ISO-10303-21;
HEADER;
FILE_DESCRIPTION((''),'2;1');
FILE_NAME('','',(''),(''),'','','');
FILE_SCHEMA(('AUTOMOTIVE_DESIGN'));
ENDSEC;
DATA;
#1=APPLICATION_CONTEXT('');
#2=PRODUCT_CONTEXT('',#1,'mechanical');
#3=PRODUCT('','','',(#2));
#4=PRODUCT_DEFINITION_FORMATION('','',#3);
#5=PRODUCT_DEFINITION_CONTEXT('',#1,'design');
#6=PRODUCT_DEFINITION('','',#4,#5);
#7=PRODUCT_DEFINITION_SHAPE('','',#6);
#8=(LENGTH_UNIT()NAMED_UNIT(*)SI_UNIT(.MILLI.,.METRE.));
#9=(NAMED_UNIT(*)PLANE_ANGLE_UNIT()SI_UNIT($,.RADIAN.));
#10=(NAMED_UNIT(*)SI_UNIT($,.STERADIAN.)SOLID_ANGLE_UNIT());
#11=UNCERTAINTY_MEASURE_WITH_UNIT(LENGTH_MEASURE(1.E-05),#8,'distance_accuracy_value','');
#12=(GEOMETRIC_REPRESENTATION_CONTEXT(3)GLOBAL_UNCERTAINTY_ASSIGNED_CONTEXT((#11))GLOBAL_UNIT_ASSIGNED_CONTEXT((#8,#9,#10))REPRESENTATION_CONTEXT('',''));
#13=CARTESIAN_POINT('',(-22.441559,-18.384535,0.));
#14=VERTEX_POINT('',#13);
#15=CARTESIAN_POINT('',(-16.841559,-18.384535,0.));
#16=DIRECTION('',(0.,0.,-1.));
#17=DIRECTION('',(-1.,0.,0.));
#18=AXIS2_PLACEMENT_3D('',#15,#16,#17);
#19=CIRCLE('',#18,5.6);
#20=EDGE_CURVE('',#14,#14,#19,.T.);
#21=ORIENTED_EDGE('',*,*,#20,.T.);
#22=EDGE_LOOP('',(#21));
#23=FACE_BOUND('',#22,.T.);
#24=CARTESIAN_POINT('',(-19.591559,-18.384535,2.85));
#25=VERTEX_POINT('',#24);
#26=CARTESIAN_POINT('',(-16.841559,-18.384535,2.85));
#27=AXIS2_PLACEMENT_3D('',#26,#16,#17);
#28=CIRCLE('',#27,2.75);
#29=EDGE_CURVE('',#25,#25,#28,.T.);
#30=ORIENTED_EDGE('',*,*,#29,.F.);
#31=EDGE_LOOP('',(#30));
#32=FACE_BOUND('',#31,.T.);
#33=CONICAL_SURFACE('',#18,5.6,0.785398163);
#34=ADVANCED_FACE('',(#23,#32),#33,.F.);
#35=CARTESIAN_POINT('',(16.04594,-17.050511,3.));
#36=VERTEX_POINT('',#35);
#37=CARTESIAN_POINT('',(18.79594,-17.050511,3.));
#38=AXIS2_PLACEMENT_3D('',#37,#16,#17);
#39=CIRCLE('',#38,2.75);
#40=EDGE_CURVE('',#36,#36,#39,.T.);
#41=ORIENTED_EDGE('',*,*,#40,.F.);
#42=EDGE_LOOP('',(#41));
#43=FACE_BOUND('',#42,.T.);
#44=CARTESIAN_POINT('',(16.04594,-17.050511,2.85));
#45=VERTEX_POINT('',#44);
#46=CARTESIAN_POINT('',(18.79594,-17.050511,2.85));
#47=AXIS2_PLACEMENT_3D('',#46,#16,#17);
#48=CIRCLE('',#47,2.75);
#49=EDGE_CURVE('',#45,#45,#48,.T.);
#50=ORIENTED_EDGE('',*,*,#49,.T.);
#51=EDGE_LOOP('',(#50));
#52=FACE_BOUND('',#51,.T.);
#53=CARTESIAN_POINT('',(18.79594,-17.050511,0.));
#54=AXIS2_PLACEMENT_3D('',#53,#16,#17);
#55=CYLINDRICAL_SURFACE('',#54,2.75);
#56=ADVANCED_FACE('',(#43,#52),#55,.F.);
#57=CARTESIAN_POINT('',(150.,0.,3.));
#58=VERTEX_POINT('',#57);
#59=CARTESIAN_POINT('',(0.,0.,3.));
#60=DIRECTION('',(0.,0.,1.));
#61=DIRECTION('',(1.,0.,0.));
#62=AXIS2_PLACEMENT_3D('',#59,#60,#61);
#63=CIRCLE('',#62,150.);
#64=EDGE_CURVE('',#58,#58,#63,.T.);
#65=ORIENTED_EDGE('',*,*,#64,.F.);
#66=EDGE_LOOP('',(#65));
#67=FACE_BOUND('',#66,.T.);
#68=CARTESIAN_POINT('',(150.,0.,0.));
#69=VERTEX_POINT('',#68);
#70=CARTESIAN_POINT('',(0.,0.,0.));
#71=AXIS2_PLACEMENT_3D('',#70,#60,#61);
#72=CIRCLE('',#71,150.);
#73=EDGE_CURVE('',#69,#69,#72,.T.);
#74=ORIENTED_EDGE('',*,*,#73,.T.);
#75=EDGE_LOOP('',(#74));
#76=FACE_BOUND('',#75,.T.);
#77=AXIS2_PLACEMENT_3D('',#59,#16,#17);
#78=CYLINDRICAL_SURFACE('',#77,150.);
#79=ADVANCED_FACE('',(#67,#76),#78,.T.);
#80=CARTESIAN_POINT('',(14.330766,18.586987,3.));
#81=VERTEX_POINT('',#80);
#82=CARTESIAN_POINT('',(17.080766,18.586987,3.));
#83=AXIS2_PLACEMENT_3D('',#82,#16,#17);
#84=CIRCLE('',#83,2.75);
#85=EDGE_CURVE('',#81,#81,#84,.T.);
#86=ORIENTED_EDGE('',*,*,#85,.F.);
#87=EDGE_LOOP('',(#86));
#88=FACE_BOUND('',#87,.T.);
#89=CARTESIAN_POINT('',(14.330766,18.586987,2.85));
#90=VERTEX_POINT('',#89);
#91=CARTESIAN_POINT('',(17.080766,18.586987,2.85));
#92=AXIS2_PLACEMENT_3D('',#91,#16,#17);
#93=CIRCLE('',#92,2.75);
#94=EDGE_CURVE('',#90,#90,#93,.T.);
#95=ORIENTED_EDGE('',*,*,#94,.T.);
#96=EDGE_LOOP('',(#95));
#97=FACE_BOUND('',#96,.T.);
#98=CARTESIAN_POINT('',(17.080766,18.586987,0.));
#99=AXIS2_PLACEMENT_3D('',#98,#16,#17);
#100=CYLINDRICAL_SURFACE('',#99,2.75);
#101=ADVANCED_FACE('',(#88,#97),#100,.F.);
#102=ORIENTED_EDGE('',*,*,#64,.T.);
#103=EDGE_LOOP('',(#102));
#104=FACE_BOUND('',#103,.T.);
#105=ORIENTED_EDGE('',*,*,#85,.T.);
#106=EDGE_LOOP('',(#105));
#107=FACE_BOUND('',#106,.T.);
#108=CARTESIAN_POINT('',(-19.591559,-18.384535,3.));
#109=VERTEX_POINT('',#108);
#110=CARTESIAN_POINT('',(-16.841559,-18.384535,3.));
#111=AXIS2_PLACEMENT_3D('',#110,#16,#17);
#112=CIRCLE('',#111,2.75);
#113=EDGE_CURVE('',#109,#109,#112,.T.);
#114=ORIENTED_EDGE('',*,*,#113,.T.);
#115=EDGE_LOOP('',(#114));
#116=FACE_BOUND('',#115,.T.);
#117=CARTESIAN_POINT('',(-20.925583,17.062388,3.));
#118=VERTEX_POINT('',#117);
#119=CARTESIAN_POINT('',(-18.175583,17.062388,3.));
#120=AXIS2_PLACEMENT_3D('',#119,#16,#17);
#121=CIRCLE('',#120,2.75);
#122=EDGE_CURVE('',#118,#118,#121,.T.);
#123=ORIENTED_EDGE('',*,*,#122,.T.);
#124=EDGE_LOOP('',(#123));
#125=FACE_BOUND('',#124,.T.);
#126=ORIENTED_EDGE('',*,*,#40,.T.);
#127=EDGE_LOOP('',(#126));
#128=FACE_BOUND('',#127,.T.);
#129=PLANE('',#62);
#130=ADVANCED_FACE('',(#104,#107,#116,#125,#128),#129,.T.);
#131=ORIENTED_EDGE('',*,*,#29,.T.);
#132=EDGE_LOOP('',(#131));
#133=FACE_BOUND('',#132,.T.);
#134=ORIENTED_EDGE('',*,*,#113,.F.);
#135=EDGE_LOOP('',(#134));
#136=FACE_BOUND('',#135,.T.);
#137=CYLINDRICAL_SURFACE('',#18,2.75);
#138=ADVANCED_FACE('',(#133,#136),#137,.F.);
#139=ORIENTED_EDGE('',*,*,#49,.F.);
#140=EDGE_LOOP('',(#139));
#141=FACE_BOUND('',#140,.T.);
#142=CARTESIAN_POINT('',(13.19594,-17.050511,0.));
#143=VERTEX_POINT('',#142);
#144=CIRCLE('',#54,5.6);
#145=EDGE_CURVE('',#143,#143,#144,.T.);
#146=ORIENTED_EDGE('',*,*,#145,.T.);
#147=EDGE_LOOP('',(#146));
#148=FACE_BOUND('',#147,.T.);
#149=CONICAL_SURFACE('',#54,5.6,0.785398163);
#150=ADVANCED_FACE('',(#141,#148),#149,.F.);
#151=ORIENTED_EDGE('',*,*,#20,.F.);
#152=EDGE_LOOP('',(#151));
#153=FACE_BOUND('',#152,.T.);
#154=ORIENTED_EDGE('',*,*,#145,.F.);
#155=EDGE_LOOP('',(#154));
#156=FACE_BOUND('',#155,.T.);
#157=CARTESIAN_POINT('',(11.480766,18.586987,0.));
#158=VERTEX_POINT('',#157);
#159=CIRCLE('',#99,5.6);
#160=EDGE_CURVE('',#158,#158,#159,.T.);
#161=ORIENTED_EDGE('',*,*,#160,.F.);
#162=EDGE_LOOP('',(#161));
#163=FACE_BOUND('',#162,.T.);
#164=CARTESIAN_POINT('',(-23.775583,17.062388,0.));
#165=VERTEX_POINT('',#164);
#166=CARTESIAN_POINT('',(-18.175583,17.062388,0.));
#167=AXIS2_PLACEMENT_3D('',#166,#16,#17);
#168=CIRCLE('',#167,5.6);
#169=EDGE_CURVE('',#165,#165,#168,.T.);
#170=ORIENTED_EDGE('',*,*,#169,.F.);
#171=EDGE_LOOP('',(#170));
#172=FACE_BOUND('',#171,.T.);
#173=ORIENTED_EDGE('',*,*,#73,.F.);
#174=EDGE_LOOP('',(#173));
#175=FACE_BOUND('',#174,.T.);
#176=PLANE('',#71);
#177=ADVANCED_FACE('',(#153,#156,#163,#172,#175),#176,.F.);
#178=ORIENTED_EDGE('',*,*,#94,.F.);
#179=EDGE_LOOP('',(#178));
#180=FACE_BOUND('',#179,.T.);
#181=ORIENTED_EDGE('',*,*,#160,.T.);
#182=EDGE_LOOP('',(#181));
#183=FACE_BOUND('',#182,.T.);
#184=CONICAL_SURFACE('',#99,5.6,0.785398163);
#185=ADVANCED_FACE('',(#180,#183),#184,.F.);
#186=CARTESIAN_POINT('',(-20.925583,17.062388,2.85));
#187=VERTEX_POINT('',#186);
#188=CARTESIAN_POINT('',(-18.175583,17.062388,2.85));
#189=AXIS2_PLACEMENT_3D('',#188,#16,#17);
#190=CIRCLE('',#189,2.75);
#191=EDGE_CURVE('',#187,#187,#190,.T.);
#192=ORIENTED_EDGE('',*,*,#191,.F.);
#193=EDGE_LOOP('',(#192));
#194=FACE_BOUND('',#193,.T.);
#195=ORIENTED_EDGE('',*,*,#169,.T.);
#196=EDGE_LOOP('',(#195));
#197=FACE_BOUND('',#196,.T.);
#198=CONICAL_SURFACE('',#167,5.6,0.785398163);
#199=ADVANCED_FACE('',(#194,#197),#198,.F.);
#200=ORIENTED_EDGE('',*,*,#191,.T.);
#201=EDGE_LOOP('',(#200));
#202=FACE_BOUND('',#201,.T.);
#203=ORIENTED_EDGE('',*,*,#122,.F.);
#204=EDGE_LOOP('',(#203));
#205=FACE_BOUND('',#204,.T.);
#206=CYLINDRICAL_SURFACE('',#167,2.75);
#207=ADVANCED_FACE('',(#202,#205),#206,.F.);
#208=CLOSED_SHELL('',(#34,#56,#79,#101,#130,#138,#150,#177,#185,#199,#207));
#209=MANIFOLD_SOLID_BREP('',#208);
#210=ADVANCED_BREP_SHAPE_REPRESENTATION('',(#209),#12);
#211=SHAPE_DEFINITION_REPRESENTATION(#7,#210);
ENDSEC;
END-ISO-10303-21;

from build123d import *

# Parameters (mm, degrees)
SKETCH1_R                    = 150
BOSS_EXTRUDE1_DEPTH          = 3
CSK_FOR_M5_SFHCS1_AT_2_COUNT = 2
CSK_FOR_M5_SFHCS1_AT_2_PITCH = 35.289297711
CSK_FOR_M5_SFHCS1_AT_3_COUNT = 2
CSK_FOR_M5_SFHCS1_AT_3_PITCH = 50.17586669
CSK_FOR_M5_SFHCS1_AT_4_COUNT = 2
CSK_FOR_M5_SFHCS1_AT_4_PITCH = 35.678748885


with BuildPart() as part:
    # Sketch1 → Boss-Extrude1 (new body)
    with BuildSketch(Plane.XY):
        Circle(SKETCH1_R)
    extrude(amount=BOSS_EXTRUDE1_DEPTH)

    # Sketch4 → CSK for M5 SFHCS1 (revolve, cut)
    with BuildSketch(Plane(origin=(17.080766051, 18.586987198, 0), x_dir=(0, 1, 0), z_dir=(1, 0, 0))):
        Polygon((0, 0), (0, 3), (2.75, 3), (2.75, 2.85), (5.6, 0), align=None)
    csk_for_m5_sfhcs1 = revolve(axis=Axis((17.080766051, 18.586987198, -6.35), (0, 0, 1)), mode=Mode.SUBTRACT)

    # CSK for M5 SFHCS1 at 2: CSK for M5 SFHCS1 ×2
    with Locations(*[Vector(-0.99906632, -0.043202868, 0) * (i * CSK_FOR_M5_SFHCS1_AT_2_PITCH) for i in range(1, CSK_FOR_M5_SFHCS1_AT_2_COUNT)]):
        add(csk_for_m5_sfhcs1, mode=Mode.SUBTRACT)

    # CSK for M5 SFHCS1 at 3: CSK for M5 SFHCS1 ×2
    with Locations(*[Vector(-0.676068537, -0.736838743, 0) * (i * CSK_FOR_M5_SFHCS1_AT_3_PITCH) for i in range(1, CSK_FOR_M5_SFHCS1_AT_3_COUNT)]):
        add(csk_for_m5_sfhcs1, mode=Mode.SUBTRACT)

    # CSK for M5 SFHCS1 at 4: CSK for M5 SFHCS1 ×2
    with Locations(*[Vector(0.048072698, -0.998843839, 0) * (i * CSK_FOR_M5_SFHCS1_AT_4_PITCH) for i in range(1, CSK_FOR_M5_SFHCS1_AT_4_COUNT)]):
        add(csk_for_m5_sfhcs1, mode=Mode.SUBTRACT)


solid = part.part
